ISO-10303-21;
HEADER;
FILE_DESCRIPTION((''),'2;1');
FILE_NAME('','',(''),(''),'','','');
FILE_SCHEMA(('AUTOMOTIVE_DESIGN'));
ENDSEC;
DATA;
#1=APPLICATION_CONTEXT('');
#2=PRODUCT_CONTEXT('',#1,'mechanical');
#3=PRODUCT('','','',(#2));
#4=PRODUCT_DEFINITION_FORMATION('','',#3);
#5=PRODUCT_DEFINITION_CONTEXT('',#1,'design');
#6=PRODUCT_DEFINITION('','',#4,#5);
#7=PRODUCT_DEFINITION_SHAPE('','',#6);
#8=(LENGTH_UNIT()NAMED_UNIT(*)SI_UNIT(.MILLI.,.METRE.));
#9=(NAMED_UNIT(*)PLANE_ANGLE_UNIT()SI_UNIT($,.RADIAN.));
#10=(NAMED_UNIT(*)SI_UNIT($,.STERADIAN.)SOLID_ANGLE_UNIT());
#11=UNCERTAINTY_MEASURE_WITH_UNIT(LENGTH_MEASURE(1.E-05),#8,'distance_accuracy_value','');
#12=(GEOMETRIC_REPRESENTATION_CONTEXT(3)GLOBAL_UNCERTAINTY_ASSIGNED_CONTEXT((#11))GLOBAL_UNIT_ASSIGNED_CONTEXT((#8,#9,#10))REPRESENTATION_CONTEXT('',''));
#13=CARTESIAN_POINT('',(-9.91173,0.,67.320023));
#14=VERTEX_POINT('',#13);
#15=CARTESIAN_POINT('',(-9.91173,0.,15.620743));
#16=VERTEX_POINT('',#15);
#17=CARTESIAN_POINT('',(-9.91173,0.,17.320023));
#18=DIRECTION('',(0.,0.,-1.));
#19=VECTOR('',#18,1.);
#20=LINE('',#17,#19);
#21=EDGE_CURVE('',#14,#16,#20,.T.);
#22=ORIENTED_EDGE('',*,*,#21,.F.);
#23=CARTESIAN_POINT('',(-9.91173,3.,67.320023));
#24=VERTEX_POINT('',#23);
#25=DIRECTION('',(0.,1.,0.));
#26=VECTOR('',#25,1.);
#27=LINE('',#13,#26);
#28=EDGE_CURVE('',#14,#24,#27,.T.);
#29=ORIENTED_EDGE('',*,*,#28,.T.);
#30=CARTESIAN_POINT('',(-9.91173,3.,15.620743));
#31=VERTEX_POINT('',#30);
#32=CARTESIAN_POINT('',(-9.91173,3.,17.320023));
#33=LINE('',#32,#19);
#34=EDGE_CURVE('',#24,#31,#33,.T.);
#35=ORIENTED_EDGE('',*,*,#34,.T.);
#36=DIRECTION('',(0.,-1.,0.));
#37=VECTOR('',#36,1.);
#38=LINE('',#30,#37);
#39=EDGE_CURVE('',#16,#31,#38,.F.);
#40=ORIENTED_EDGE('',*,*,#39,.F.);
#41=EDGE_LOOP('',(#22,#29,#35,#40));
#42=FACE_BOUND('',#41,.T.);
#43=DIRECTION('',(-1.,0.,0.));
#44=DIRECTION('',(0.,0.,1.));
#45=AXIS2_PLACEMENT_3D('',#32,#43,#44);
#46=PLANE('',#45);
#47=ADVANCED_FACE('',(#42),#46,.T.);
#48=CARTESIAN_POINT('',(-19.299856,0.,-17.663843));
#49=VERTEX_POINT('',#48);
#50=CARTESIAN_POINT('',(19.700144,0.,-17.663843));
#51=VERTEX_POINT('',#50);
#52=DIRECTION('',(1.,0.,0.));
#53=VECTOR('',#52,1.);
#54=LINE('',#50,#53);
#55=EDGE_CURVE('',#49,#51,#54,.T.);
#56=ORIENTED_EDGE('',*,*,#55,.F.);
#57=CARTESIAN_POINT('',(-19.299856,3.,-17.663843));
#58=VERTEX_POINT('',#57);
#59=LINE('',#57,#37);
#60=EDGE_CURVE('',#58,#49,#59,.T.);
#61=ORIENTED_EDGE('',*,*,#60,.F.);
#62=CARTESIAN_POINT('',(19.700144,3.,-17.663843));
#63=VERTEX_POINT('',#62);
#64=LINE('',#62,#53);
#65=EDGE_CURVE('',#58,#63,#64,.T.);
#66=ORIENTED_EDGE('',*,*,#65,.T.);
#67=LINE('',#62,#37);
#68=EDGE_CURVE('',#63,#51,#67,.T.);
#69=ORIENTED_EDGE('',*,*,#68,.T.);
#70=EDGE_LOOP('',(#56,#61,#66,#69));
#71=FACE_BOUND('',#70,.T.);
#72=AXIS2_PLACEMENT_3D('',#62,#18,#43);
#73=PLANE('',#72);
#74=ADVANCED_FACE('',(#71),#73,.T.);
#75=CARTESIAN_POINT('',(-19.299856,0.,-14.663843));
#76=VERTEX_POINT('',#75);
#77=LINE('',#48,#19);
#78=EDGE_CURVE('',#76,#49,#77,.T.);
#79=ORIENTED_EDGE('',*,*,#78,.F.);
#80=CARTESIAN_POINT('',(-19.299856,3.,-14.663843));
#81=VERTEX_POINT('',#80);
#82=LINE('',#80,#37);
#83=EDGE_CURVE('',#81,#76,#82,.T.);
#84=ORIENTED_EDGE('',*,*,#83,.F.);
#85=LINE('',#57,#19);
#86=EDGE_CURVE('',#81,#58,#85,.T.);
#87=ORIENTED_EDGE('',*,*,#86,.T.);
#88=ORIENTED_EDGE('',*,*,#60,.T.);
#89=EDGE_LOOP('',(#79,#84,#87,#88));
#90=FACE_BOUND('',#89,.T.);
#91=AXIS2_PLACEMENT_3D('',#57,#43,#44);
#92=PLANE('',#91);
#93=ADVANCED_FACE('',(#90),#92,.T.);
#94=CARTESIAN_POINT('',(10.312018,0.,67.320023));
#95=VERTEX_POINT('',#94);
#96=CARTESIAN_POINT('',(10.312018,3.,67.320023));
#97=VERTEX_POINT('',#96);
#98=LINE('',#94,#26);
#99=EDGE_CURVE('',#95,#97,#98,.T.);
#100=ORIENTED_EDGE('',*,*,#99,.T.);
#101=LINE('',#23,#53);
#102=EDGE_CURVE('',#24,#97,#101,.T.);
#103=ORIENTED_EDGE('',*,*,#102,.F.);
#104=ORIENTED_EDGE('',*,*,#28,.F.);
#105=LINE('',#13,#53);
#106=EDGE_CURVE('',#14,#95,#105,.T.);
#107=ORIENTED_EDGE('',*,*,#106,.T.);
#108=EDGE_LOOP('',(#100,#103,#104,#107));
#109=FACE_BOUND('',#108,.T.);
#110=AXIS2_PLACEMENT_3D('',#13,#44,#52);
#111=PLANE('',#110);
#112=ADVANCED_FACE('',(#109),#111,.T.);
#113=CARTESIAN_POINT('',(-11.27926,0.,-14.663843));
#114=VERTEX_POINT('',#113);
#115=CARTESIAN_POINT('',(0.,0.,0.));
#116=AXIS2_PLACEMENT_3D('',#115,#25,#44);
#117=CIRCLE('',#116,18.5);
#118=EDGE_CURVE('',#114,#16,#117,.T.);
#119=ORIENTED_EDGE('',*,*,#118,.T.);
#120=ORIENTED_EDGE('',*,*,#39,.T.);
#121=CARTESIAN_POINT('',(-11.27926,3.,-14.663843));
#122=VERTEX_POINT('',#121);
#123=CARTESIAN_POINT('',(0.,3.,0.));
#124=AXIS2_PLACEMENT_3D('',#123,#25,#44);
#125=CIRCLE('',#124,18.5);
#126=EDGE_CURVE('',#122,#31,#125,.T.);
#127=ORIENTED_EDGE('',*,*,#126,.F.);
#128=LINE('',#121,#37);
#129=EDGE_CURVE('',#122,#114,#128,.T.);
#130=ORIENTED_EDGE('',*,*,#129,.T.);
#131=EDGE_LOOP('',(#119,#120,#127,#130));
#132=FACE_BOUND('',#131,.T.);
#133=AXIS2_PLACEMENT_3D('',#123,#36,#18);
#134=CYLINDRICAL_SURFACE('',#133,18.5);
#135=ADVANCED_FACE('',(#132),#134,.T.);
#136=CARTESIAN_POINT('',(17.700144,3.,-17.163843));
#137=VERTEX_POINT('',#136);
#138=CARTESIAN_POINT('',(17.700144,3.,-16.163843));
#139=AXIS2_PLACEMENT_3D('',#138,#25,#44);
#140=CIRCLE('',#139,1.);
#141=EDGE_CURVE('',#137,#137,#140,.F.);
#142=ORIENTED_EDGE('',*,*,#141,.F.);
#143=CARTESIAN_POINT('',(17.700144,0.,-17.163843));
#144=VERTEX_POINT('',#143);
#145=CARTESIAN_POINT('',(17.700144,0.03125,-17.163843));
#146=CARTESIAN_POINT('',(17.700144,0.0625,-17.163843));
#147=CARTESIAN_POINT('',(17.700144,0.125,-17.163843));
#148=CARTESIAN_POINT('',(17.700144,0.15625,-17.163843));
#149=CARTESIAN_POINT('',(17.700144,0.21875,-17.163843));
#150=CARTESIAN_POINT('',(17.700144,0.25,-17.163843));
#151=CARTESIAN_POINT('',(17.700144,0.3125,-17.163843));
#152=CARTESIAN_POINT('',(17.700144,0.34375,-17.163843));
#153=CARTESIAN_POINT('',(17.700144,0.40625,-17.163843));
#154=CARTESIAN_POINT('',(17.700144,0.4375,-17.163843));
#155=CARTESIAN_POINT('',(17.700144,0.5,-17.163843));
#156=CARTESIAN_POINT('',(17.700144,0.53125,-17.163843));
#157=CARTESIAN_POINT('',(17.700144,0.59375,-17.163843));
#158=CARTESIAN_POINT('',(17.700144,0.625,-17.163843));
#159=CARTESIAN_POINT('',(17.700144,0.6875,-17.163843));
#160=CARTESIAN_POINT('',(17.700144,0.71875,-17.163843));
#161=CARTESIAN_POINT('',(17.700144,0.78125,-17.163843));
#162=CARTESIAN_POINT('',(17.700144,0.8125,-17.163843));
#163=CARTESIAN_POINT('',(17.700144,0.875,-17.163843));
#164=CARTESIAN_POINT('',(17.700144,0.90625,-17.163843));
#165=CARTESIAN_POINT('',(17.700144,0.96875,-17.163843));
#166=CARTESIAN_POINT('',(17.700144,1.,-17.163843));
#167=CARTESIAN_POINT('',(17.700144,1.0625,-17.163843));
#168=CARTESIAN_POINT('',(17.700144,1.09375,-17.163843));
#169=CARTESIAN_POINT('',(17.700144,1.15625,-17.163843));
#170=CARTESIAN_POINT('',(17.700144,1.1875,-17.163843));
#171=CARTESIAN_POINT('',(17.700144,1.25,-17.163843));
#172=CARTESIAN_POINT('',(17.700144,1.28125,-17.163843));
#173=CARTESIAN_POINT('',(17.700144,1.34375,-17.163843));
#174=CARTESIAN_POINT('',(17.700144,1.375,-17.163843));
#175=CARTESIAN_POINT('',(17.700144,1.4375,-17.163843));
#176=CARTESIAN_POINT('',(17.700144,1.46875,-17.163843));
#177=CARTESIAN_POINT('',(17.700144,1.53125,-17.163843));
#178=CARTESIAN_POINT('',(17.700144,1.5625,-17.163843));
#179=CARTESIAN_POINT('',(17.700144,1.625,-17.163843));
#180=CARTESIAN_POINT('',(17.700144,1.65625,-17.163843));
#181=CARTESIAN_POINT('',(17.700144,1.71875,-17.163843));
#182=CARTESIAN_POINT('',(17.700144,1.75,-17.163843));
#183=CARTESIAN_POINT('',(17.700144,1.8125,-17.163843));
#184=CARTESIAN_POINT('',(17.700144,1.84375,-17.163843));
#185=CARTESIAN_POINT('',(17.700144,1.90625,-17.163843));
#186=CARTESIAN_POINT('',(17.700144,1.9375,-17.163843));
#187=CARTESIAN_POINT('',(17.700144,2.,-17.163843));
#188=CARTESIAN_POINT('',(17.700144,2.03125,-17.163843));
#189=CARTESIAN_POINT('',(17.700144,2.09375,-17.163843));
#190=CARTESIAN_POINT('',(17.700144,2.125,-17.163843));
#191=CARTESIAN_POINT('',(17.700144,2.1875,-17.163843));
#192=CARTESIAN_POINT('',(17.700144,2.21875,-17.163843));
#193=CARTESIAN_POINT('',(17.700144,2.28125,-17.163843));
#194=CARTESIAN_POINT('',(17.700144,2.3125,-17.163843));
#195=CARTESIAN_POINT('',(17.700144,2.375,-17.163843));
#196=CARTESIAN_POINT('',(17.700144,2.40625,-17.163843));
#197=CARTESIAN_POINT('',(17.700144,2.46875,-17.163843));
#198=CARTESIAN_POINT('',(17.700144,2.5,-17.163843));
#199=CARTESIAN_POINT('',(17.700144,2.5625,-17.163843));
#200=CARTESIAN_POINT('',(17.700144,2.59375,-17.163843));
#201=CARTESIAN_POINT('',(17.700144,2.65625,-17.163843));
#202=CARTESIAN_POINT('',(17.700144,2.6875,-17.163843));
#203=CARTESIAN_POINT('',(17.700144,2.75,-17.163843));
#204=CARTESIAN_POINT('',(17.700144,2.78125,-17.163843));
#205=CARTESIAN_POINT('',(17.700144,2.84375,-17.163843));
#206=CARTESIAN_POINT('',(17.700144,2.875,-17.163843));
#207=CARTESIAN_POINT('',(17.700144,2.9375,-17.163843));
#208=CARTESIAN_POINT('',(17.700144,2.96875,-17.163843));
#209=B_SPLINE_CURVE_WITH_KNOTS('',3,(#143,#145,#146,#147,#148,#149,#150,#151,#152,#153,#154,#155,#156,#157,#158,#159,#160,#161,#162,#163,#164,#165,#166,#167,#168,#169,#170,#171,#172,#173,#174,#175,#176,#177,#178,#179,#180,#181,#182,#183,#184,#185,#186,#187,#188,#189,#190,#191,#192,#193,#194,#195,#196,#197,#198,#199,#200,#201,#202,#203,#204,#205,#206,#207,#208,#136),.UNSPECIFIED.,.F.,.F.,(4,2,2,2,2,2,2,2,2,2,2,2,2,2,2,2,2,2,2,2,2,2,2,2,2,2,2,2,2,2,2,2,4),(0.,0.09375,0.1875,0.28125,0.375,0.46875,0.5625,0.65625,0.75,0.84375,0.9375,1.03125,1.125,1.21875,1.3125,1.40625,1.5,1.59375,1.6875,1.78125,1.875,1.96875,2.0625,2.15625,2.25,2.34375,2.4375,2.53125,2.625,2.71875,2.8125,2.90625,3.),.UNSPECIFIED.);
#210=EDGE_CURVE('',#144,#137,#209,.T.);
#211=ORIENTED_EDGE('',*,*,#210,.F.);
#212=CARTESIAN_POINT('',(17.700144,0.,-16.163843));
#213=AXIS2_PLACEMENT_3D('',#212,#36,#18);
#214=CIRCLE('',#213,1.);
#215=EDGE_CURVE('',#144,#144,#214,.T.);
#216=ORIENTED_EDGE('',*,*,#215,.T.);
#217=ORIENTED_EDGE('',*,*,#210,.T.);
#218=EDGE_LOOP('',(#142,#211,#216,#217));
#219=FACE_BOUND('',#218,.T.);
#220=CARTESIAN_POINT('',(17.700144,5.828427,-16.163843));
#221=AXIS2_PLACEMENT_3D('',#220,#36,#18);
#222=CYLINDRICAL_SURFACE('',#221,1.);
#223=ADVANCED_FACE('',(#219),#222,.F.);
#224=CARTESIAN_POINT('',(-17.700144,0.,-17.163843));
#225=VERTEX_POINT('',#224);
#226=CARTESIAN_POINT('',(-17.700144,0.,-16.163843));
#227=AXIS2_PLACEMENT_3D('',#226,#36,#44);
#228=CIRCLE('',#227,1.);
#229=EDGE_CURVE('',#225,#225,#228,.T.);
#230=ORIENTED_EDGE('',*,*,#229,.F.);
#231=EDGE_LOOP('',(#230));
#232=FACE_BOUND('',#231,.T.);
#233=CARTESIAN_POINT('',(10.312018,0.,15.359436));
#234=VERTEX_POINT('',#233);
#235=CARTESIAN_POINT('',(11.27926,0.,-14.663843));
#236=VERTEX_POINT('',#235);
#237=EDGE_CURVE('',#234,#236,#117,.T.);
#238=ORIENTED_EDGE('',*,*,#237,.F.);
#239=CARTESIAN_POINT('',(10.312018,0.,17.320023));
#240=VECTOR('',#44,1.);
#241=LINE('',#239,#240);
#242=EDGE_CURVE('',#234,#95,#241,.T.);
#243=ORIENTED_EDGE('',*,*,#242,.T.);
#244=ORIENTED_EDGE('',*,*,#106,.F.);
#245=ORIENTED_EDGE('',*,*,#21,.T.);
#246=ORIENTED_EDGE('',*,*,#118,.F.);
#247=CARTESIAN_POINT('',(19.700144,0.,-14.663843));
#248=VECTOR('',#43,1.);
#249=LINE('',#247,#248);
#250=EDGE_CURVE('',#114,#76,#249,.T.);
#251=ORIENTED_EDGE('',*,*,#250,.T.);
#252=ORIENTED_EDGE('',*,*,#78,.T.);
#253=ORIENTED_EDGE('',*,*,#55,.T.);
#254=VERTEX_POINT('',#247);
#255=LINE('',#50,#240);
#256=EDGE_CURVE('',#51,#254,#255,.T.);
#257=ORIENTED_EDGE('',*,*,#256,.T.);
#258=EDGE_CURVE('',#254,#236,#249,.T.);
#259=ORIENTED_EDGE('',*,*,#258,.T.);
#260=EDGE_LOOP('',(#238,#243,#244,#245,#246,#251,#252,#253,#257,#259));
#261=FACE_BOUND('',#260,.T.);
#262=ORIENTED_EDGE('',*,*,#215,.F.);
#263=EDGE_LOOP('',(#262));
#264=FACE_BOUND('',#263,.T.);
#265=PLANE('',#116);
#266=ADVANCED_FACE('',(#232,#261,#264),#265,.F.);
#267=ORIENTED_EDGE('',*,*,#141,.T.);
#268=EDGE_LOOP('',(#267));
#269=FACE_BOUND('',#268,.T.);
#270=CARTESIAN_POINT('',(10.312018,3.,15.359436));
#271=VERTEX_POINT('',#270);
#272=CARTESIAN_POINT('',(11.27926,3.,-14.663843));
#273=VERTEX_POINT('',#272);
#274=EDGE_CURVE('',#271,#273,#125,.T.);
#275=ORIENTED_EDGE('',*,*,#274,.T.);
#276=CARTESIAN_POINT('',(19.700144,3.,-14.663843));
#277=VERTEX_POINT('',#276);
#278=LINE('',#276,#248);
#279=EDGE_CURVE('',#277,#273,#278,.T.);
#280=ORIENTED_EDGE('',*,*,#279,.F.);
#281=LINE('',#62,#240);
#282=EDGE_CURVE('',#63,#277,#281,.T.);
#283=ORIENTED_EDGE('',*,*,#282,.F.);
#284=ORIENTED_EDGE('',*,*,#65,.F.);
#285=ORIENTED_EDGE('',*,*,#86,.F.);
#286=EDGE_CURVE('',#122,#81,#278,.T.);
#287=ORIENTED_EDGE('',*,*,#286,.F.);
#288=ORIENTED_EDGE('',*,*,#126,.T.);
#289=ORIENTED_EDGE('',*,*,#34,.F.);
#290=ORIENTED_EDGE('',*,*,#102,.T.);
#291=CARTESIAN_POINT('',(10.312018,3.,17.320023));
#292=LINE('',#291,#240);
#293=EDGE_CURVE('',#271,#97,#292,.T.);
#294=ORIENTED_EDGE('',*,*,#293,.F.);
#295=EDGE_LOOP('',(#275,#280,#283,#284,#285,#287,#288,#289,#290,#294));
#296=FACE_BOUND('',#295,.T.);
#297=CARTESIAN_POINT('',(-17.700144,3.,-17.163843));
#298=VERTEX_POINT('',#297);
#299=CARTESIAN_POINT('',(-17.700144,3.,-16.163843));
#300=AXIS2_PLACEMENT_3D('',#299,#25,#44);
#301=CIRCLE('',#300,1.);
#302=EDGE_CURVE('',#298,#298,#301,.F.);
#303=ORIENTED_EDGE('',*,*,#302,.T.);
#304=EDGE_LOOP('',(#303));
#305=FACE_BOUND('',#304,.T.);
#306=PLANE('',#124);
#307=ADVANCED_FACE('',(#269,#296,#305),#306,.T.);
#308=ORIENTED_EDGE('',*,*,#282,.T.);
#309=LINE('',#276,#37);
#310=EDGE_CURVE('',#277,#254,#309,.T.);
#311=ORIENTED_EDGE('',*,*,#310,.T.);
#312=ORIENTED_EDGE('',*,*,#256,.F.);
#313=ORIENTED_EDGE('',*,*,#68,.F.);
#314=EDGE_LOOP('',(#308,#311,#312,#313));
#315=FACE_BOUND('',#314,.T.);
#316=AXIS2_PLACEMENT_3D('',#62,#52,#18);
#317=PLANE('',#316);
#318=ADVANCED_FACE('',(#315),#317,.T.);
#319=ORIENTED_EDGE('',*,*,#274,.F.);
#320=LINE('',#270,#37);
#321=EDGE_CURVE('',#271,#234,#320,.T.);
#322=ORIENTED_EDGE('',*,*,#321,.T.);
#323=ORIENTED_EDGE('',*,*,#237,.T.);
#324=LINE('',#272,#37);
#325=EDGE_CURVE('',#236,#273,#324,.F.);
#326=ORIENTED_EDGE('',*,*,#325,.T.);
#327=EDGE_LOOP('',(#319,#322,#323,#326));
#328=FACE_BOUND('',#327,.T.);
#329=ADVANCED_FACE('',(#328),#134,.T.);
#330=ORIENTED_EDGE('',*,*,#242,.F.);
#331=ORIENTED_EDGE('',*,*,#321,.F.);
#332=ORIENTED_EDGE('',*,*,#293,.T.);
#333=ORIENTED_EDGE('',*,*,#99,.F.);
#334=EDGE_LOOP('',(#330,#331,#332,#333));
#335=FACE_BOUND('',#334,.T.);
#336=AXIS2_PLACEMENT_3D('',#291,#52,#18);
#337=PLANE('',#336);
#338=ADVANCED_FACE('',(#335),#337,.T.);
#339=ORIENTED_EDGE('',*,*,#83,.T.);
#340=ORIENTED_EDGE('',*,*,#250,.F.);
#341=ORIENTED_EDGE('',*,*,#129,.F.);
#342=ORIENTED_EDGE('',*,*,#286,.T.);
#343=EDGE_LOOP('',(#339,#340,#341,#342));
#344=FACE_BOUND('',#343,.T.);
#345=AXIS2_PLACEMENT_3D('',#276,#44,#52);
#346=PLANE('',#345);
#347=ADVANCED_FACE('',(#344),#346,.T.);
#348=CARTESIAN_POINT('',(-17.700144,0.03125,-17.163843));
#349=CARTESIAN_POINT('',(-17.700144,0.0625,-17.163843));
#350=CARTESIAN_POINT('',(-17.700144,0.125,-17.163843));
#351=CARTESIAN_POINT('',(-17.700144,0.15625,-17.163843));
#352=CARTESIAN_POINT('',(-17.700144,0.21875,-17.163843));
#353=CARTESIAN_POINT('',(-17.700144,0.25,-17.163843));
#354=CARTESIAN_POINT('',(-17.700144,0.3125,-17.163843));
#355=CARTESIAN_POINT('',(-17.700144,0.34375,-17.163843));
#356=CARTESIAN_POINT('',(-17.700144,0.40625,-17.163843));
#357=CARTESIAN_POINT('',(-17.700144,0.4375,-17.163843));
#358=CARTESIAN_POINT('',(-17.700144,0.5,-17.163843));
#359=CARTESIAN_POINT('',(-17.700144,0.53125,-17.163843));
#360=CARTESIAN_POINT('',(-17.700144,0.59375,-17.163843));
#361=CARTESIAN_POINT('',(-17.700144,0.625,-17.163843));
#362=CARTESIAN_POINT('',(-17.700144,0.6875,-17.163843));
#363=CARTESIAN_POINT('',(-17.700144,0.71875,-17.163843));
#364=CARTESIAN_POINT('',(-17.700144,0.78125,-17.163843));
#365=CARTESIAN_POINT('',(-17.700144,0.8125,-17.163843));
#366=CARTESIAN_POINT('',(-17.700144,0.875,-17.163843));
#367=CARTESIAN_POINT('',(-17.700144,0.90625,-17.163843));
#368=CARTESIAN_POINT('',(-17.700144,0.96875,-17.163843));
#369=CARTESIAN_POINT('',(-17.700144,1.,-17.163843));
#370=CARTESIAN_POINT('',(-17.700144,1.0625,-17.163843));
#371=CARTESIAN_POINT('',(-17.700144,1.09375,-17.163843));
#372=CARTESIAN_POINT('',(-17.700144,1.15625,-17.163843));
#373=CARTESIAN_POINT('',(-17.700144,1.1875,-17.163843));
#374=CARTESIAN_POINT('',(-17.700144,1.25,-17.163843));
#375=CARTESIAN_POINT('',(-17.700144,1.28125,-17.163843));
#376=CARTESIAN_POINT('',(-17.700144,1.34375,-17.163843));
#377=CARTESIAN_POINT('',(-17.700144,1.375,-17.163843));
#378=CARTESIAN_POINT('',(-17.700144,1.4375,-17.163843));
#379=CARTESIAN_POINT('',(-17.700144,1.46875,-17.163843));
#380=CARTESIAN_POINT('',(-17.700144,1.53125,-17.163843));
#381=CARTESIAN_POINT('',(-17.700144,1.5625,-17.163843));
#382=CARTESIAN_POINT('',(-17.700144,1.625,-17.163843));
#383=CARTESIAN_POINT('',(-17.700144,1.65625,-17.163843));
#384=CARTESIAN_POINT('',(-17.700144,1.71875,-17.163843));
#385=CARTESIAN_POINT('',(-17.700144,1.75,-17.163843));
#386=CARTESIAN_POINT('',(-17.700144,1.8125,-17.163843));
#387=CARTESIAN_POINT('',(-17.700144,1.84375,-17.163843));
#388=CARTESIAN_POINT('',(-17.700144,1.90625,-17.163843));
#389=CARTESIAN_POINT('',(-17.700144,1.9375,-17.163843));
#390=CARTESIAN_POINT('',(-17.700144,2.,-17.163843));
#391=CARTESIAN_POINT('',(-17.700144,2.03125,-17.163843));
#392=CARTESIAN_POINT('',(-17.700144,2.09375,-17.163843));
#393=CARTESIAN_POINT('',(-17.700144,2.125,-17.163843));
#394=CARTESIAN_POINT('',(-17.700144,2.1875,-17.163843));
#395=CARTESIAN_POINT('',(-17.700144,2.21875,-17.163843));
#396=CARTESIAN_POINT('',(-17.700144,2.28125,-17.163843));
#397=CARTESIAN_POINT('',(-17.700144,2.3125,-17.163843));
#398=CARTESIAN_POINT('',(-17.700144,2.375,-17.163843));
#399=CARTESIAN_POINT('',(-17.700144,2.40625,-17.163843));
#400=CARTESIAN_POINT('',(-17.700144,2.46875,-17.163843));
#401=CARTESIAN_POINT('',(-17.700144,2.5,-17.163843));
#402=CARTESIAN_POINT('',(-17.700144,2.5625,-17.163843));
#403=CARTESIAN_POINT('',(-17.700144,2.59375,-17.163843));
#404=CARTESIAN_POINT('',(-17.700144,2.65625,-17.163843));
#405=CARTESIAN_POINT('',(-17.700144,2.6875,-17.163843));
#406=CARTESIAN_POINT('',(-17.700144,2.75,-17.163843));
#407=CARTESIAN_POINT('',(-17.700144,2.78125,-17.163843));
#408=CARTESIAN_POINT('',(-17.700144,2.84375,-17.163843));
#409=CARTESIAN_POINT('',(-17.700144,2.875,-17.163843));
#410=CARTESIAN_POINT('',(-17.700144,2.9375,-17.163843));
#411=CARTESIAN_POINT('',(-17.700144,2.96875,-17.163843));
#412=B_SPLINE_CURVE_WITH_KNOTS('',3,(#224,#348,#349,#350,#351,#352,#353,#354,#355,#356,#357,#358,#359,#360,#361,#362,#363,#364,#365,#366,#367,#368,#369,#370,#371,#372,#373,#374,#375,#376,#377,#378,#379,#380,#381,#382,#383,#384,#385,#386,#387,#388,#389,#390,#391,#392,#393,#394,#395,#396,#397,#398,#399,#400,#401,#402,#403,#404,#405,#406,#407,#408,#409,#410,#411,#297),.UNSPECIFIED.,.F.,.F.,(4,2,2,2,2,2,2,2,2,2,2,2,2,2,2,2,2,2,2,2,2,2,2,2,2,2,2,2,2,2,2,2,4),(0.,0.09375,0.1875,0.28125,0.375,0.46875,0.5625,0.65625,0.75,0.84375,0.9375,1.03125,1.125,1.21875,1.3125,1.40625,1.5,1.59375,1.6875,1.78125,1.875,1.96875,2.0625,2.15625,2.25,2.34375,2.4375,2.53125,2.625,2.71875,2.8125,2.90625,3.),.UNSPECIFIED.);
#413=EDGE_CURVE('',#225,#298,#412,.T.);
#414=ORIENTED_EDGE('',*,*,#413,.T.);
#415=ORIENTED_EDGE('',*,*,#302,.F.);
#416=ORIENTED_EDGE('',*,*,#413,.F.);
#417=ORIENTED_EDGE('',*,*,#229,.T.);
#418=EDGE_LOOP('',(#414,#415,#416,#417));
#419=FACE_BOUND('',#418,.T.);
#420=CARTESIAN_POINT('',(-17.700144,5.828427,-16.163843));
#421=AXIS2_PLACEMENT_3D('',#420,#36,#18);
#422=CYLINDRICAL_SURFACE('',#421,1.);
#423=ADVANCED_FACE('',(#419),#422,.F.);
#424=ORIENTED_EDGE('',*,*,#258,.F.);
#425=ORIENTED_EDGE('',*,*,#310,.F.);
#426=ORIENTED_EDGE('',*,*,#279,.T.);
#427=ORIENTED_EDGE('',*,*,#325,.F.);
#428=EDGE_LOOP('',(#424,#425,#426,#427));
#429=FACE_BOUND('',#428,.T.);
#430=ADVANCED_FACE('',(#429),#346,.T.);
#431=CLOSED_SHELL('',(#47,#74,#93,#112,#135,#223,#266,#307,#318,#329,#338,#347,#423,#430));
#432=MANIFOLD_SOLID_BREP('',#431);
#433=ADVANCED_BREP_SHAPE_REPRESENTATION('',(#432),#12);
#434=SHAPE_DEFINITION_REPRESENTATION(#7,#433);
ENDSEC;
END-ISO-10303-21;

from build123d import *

# Parameters (mm, degrees)
SKETCH1_R           = 18.5
BOSS_EXTRUDE1_DEPTH = 3
SKETCH2_W           = 20.223748417
SKETCH2_H           = 1.96058716
BOSS_EXTRUDE2_DEPTH = 3
CUT_EXTRUDE1_DEPTH  = 3
SKETCH4_W           = 39
SKETCH4_H           = 3
BOSS_EXTRUDE3_DEPTH = 3
CUT_EXTRUDE2_DEPTH  = 3
SKETCH6_R           = 1
CUT_EXTRUDE3_DEPTH  = 3
SKETCH8_W           = 20.223748417
SKETCH8_H           = 50
BOSS_EXTRUDE4_DEPTH = 3


with BuildPart() as part:
    # Sketch1 → Boss-Extrude1 (new body)
    with BuildSketch(Plane(origin=(0, 0, 0), x_dir=(1, 0, 0), z_dir=(0, 1, 0))):
        with Locations(Location((0, 0, 0), (0, 0, 270))):
            Circle(SKETCH1_R)
    extrude(amount=BOSS_EXTRUDE1_DEPTH)

    # Sketch2 → Boss-Extrude2 (add)
    with BuildSketch(Plane.XZ):
        with Locations((0.2001438, 16.339729918)):
            Rectangle(SKETCH2_W, SKETCH2_H)
    extrude(amount=-BOSS_EXTRUDE2_DEPTH)

    # Sketch3 → Cut-Extrude1 (cut)
    with BuildSketch(Plane.XZ):
        with BuildLine():
            Line((6.501291106, 17.320023498), (-6.501291106, 17.320023498))
            ThreePointArc((-6.501291106, 17.320023498), (0, 18.5), (6.501291106, 17.320023498))
        make_face()
    extrude(amount=-CUT_EXTRUDE1_DEPTH, mode=Mode.SUBTRACT)

    # Sketch4 → Boss-Extrude3 (add)
    with BuildSketch(Plane.XZ):
        with Locations((0.200143799, -16.163843272)):
            Rectangle(SKETCH4_W, SKETCH4_H)
    extrude(amount=-BOSS_EXTRUDE3_DEPTH)

    # Sketch5 → Cut-Extrude2 (cut)
    with BuildSketch(Plane.XZ):
        with BuildLine():
            Line((5.498967254, -17.663843272), (-5.498967254, -17.663843272))
            ThreePointArc((-5.498967254, -17.663843272), (0, -18.5), (5.498967254, -17.663843272))
        make_face()
    extrude(amount=-CUT_EXTRUDE2_DEPTH, mode=Mode.SUBTRACT)

    # Sketch6 → Cut-Extrude3 (cut)
    with BuildSketch(Plane.XZ):
        with Locations(Location((17.700143799, -16.163843272, 0), (0, 0, 270))):
            Circle(SKETCH6_R)
        with Locations(Location((-17.700143799, -16.163843272, 0), (0, 0, 270))):
            Circle(SKETCH6_R)
    extrude(amount=-CUT_EXTRUDE3_DEPTH, mode=Mode.SUBTRACT)

    # Sketch8 → Boss-Extrude4 (add)
    with BuildSketch(Plane(origin=(0, 3, 0), x_dir=(1, 0, 0), z_dir=(0, 1, 0))):
        with Locations((0.2001438, -42.320023498)):
            Rectangle(SKETCH8_W, SKETCH8_H)
    extrude(amount=-BOSS_EXTRUDE4_DEPTH)


solid = part.part
